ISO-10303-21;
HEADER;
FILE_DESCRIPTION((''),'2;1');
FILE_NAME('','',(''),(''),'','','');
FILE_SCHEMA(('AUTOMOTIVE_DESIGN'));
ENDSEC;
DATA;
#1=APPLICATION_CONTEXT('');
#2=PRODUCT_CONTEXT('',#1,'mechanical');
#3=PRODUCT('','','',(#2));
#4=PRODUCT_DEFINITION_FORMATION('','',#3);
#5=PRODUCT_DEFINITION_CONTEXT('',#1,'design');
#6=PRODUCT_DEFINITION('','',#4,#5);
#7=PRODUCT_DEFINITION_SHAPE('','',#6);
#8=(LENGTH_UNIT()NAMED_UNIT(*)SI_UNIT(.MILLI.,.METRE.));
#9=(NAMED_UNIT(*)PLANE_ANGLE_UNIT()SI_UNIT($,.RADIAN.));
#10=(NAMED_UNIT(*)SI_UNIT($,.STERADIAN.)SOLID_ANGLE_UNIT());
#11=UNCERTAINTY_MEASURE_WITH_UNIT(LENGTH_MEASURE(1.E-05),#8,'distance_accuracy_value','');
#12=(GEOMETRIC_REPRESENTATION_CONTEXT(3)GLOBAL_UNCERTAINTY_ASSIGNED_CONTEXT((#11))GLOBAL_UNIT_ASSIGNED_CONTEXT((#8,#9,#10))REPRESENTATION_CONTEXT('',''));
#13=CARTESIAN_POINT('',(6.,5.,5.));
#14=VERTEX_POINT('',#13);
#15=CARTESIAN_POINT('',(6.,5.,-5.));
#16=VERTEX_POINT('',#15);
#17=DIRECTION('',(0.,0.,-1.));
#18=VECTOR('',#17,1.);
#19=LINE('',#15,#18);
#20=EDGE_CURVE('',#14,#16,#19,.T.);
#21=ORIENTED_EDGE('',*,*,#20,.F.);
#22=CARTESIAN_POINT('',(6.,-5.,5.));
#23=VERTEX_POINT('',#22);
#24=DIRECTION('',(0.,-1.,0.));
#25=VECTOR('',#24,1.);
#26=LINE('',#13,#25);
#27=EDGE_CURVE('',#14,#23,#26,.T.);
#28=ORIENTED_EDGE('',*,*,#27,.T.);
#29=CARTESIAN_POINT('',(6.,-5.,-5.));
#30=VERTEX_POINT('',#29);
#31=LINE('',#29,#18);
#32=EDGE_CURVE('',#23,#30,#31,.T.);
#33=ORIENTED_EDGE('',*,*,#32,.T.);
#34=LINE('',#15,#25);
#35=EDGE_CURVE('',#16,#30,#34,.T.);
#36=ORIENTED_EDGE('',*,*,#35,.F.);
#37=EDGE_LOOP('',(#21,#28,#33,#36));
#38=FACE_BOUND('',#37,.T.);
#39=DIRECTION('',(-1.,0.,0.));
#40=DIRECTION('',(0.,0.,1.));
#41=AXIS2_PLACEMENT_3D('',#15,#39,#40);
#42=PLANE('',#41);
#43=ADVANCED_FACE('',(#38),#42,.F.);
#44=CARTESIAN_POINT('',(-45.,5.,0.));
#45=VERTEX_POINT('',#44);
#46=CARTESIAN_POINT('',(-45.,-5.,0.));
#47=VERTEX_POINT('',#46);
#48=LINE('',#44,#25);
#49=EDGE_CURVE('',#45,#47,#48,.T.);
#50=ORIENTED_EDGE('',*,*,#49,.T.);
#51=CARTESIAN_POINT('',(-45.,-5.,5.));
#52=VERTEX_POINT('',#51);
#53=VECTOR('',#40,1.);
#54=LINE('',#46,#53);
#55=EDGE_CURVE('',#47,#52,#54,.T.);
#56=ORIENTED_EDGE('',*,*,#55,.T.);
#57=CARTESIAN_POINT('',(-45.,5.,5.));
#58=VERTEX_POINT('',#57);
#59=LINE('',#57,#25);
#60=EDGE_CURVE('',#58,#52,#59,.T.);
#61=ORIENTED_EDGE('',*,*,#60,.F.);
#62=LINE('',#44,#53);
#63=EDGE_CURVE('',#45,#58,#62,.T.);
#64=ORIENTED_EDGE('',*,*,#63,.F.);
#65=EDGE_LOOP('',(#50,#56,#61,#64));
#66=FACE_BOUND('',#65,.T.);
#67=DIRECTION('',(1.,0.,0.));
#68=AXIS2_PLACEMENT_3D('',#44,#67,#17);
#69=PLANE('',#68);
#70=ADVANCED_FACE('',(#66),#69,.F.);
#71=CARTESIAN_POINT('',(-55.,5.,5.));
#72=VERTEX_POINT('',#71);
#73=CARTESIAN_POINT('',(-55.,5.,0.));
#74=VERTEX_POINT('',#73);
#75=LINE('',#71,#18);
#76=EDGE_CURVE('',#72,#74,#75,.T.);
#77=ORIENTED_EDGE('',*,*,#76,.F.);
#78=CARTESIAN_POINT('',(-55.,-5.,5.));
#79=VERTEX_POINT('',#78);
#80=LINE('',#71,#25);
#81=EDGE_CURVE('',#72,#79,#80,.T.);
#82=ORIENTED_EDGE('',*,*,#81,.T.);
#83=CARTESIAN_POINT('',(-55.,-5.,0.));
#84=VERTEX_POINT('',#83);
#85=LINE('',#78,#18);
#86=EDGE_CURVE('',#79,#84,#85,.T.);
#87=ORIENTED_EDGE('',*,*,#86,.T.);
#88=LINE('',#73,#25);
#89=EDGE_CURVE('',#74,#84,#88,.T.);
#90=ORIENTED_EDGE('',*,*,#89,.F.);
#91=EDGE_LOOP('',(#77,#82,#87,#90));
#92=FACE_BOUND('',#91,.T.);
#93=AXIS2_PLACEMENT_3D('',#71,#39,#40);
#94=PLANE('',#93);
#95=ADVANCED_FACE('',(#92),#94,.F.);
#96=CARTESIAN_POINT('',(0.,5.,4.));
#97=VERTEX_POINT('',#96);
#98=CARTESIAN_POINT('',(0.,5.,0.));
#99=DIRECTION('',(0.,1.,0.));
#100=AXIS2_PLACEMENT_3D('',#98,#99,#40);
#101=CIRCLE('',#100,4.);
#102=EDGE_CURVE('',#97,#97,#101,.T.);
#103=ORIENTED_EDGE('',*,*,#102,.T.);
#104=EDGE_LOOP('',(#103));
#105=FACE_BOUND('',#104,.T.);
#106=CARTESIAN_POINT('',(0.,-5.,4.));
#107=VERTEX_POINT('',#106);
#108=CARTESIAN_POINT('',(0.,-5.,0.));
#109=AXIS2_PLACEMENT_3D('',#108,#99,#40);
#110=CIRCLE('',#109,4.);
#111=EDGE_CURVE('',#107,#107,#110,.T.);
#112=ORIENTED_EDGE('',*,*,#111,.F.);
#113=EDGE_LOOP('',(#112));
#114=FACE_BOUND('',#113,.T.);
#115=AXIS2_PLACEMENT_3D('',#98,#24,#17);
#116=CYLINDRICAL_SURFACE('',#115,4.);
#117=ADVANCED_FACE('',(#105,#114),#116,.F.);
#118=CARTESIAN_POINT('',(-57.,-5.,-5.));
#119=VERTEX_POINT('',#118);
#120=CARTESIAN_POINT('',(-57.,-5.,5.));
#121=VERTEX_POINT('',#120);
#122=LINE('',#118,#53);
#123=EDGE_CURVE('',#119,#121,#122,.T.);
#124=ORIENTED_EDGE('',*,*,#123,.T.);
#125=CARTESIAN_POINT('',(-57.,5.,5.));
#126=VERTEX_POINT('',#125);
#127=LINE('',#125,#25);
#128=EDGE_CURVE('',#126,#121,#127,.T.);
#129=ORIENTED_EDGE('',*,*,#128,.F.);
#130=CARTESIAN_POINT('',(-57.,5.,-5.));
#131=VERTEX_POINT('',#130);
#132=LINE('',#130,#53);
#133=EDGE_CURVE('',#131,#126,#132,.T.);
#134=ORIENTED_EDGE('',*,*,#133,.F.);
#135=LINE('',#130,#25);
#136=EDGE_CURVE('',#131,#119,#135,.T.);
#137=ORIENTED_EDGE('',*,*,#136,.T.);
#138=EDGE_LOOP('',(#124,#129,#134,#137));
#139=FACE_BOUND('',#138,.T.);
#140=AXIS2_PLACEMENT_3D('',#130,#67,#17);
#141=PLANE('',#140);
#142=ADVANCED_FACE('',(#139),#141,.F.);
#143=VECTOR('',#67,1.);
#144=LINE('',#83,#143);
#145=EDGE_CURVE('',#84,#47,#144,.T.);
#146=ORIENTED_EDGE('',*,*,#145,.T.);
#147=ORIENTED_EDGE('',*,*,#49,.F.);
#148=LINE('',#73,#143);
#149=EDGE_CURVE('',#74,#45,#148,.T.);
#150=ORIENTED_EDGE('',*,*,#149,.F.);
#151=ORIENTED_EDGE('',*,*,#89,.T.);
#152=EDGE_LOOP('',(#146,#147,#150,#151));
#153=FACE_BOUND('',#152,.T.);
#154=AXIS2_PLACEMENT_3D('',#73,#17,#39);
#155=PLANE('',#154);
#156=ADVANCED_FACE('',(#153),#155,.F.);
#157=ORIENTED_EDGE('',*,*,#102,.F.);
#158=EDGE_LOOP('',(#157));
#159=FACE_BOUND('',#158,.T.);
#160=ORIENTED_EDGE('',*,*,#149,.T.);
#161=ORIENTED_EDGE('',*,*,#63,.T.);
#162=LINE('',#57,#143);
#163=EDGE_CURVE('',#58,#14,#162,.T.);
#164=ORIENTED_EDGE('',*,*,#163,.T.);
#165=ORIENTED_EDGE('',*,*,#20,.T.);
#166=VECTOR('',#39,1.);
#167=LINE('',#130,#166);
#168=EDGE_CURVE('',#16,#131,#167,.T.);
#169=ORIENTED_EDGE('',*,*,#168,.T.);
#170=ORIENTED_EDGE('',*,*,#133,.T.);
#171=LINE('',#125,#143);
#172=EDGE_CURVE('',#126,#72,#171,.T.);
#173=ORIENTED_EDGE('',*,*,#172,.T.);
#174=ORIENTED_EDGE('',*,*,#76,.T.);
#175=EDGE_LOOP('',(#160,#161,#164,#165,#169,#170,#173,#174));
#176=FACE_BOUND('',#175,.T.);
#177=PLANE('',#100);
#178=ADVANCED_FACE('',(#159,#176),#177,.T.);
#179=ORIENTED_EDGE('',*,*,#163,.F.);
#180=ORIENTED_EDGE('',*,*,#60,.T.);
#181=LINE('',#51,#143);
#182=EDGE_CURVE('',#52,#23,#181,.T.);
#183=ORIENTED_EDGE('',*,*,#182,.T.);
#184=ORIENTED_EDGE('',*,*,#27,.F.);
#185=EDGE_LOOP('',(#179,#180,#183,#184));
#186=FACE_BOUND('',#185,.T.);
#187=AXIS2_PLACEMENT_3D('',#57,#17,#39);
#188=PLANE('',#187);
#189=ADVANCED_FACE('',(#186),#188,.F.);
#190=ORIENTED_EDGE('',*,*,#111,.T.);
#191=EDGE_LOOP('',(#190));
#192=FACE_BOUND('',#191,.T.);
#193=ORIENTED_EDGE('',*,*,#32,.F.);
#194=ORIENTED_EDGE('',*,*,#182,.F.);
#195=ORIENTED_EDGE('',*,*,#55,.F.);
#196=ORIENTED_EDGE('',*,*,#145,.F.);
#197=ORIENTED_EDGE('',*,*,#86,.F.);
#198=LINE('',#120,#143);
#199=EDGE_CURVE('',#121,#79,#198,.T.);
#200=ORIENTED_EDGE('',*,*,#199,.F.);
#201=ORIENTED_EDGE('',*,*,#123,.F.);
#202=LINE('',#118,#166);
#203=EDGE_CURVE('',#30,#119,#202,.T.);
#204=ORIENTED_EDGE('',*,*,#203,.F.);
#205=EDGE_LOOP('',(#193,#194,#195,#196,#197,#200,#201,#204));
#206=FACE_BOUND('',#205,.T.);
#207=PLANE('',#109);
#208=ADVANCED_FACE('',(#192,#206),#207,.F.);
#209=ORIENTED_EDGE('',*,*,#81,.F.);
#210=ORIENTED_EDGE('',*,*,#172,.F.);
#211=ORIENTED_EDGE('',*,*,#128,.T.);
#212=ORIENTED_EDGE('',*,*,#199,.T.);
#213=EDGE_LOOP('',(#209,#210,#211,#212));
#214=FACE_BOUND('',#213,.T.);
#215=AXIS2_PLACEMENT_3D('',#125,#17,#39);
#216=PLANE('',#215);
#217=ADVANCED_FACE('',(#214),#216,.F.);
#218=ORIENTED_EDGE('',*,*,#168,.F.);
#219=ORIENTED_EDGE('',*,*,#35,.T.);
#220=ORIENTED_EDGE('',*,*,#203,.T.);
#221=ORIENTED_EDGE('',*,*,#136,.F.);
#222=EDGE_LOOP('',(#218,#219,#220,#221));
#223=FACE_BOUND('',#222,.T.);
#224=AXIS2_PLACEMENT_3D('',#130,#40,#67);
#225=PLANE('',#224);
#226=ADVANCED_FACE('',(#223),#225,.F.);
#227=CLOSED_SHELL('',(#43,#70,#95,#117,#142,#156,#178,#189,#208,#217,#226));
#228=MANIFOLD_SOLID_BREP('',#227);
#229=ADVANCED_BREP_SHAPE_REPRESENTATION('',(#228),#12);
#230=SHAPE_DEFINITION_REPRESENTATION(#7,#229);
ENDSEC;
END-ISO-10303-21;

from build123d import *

# Parameters (mm, degrees)
SKETCH_1_R      = 4
EXTRUDE_1_DEPTH = 5


with BuildPart() as part:
    # 草圖1 → 填料-伸長1 (new body, symmetric)
    with BuildSketch(Plane(origin=(0, 0, 0), x_dir=(1, 0, 0), z_dir=(0, 1, 0))):
        Polygon((-55, -5), (-55, 0), (-45, 0), (-45, -5), (6, -5), (6, 5), (-57, 5), (-57, -5), align=None)
        Circle(SKETCH_1_R, mode=Mode.SUBTRACT)
    extrude(amount=EXTRUDE_1_DEPTH, both=True)


solid = part.part
